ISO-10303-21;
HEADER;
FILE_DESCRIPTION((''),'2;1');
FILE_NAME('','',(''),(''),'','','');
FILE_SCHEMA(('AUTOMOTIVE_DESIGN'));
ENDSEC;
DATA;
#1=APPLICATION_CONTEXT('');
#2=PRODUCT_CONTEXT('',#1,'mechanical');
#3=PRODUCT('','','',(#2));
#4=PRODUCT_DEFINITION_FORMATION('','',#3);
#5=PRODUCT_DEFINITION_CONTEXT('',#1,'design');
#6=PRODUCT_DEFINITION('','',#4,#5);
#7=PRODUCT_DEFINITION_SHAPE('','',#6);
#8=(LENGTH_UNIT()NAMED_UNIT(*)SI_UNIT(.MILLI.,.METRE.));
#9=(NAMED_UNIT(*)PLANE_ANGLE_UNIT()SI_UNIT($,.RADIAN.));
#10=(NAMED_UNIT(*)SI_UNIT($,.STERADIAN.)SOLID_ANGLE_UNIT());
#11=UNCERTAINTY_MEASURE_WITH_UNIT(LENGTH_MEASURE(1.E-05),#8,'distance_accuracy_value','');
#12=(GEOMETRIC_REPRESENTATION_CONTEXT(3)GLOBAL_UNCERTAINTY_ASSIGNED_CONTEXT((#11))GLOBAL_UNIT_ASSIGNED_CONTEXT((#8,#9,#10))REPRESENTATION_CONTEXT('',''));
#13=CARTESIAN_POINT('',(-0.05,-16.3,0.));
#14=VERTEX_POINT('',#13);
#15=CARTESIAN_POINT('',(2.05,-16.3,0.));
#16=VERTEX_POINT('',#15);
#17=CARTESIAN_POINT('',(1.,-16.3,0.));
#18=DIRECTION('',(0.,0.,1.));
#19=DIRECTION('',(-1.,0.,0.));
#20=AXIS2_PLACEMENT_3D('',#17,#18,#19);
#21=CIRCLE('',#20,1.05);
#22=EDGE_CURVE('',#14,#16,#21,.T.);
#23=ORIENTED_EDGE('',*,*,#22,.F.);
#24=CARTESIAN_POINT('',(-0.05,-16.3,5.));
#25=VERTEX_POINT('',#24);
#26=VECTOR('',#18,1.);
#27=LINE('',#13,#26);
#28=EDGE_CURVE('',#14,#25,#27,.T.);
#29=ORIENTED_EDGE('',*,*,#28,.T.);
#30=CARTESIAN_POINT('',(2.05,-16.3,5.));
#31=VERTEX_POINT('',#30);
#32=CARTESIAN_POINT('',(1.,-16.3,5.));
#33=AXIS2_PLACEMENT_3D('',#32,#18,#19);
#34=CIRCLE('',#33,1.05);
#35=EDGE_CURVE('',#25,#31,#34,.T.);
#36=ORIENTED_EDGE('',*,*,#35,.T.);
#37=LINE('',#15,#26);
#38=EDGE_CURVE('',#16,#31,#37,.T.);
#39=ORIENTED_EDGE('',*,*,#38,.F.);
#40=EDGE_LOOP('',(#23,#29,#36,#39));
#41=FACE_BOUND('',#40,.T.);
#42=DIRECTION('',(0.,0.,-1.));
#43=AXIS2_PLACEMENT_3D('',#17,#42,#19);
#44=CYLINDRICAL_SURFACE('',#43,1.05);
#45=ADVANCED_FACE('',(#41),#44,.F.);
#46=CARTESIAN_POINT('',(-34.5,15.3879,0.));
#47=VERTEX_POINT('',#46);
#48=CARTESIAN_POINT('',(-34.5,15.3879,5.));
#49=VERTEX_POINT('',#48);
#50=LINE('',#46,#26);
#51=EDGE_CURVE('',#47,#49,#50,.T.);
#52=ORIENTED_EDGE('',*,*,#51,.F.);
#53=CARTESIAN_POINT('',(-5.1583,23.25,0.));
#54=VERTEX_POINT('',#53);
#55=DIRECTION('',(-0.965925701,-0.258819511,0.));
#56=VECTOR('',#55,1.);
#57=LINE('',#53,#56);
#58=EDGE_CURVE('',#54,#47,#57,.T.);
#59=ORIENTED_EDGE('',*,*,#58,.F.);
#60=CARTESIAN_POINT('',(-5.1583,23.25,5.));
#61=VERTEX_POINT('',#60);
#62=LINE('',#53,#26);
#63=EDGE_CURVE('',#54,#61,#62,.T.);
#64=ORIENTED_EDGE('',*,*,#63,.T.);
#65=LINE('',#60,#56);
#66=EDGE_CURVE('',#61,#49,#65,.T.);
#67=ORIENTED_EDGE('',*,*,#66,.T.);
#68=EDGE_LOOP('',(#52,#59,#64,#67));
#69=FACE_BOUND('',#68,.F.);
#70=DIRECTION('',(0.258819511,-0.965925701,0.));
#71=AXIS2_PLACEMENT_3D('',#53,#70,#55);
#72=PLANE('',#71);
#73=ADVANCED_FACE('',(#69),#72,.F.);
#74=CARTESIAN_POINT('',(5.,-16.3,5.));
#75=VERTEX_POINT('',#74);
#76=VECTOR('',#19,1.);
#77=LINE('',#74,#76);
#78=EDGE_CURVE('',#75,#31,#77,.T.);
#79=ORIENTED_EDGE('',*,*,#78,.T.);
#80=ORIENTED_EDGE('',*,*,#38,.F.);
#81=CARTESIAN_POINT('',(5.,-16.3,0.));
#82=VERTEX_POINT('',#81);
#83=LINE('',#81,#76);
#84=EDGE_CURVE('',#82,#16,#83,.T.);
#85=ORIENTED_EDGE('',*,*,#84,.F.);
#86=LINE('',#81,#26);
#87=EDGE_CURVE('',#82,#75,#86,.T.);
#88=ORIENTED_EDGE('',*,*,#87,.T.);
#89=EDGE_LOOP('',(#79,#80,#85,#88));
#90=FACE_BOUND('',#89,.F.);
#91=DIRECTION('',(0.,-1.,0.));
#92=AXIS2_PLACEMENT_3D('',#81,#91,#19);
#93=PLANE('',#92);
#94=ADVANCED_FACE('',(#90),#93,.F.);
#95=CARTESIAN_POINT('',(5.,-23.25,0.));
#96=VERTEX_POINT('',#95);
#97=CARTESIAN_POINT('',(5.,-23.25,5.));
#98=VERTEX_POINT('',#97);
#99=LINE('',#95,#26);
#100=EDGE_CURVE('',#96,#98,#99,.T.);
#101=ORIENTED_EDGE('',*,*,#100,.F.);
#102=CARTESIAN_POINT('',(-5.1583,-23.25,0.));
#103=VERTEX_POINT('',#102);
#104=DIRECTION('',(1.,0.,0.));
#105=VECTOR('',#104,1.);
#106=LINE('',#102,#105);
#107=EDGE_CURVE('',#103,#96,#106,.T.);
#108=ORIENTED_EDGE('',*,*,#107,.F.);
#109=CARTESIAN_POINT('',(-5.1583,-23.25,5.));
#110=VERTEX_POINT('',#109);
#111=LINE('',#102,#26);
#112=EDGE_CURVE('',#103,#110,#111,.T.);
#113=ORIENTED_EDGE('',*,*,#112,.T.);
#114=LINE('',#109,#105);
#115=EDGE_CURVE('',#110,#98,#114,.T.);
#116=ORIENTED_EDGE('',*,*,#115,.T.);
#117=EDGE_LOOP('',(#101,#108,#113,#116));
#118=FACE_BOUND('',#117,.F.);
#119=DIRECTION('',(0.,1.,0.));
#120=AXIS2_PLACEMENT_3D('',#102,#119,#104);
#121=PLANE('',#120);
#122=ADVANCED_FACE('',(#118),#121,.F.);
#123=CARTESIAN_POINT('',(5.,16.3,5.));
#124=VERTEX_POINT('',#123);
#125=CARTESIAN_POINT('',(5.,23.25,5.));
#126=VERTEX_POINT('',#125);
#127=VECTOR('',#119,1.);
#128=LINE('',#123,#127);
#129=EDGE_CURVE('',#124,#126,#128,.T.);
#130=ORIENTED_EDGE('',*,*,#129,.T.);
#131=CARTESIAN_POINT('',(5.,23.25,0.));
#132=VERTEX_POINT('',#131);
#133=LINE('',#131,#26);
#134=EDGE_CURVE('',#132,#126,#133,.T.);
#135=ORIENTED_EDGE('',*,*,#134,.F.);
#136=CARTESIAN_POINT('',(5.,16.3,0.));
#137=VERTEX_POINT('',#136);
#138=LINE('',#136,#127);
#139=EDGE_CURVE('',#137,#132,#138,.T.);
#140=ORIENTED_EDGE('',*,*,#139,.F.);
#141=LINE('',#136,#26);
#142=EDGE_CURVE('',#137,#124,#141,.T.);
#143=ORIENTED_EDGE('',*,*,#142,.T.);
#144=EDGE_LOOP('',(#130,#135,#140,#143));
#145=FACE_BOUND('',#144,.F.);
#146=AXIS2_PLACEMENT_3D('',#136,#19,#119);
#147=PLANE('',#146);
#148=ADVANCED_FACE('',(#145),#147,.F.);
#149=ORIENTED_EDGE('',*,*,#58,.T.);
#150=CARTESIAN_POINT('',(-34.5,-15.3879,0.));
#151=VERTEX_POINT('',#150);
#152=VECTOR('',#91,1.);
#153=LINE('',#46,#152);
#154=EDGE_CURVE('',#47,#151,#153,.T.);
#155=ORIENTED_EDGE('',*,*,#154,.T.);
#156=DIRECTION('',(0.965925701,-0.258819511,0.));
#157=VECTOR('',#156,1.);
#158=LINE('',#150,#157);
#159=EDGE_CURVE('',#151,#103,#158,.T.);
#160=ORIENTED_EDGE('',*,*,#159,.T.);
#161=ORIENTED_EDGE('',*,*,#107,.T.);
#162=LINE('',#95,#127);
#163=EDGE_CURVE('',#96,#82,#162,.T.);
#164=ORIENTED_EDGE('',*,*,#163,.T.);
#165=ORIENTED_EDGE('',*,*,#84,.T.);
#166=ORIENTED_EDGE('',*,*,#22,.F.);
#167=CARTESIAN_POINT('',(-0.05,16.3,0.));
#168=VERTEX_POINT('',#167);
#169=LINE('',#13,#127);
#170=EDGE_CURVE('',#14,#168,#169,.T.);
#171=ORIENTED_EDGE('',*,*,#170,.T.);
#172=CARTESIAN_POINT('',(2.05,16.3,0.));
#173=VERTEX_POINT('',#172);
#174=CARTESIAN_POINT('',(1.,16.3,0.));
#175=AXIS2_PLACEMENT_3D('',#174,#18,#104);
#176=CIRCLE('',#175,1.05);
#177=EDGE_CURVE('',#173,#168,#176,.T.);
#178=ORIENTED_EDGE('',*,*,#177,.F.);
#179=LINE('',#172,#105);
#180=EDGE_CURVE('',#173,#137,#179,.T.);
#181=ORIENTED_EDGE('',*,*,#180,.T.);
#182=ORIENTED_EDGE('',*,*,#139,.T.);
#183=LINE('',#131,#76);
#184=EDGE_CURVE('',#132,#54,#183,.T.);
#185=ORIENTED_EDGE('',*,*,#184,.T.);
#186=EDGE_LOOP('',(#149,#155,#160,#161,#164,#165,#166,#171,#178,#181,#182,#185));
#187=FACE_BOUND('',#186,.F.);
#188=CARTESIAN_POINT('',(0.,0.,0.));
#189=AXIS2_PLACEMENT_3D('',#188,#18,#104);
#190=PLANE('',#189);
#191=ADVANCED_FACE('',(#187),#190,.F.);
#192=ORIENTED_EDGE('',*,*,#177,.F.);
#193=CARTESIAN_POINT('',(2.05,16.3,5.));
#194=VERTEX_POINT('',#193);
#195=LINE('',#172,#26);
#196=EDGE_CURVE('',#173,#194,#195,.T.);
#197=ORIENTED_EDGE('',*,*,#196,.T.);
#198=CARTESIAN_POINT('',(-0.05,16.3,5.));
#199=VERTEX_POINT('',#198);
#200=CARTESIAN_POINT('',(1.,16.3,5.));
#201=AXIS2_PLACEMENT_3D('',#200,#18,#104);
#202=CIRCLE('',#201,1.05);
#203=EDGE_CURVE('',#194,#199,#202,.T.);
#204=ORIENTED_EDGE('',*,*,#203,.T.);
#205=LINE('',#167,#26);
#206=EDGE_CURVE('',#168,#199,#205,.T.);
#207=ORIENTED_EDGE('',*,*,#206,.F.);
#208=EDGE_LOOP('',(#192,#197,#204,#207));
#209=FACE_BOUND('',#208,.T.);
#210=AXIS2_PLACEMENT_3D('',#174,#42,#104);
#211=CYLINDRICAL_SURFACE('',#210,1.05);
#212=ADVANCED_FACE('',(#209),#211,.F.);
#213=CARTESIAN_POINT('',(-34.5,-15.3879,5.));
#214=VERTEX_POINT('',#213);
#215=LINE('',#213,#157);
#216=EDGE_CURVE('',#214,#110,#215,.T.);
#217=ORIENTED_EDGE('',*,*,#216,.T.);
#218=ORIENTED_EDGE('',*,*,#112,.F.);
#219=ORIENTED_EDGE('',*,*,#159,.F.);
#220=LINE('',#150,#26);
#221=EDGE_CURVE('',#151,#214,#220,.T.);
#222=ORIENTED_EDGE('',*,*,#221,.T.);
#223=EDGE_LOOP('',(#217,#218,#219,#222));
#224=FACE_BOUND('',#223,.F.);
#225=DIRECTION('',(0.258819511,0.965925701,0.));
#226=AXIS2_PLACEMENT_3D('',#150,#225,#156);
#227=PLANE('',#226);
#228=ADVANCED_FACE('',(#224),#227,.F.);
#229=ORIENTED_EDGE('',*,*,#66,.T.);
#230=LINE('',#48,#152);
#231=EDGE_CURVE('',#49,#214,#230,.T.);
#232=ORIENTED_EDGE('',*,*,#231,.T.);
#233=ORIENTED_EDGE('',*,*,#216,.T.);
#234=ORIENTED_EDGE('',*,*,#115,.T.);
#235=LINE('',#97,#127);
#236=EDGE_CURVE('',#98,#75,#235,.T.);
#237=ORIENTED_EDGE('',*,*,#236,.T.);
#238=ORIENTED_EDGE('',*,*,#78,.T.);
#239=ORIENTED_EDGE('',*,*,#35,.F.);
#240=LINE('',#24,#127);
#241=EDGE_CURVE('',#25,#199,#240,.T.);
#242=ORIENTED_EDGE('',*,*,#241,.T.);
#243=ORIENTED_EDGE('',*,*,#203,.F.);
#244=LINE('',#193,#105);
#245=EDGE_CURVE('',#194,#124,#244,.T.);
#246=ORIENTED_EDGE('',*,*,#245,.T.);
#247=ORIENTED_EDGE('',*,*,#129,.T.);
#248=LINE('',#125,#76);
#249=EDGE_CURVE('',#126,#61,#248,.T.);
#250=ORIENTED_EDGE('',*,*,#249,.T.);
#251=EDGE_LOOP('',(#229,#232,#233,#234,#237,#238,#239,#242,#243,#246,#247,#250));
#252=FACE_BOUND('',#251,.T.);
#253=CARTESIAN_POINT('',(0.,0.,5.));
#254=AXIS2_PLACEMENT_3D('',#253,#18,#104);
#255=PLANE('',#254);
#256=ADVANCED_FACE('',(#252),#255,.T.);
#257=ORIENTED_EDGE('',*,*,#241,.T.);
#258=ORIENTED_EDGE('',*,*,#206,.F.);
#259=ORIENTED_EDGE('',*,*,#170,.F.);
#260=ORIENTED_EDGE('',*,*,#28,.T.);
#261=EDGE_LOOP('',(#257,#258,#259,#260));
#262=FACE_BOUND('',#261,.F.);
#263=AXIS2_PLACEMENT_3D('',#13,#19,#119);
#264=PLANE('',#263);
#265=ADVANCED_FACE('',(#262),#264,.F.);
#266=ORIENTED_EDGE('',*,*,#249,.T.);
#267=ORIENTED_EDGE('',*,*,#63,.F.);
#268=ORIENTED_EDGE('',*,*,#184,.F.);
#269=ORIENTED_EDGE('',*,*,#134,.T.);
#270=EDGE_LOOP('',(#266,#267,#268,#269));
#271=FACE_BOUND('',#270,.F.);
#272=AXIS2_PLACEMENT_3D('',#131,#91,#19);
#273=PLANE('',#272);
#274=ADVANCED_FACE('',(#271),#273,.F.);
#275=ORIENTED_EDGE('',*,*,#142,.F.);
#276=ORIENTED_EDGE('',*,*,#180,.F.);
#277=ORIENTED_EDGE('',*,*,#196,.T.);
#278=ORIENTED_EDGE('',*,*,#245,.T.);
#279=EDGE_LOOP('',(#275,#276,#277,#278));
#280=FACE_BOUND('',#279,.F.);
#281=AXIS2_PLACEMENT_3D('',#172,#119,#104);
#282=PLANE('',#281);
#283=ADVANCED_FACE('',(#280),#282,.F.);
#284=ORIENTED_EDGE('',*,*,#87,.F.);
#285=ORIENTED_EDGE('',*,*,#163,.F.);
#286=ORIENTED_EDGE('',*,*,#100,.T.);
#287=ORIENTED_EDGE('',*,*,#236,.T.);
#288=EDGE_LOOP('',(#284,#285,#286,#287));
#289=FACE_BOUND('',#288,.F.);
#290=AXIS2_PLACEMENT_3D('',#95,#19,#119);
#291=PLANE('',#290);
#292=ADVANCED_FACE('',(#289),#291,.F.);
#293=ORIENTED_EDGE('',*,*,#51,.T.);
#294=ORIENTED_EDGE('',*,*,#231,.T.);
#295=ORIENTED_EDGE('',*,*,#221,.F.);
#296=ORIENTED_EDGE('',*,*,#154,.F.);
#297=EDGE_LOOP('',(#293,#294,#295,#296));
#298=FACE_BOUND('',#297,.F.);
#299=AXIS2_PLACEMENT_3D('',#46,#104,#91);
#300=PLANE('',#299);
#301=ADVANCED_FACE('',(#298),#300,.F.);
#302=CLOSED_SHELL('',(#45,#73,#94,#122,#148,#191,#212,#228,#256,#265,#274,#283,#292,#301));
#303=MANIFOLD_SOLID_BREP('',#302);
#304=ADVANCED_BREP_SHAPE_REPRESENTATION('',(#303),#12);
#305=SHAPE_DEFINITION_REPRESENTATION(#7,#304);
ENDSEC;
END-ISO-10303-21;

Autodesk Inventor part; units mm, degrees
ref_plane "YZ Plane" through (0, 0, 0) normal (1, 0, 0) x (0, 1, 0)
ref_plane "XZ Plane" through (0, 0, 0) normal (0, 1, 0) x (-1, 0, 0)
ref_plane "XY Plane" through (0, 0, 0) normal (0, 0, 1) x (1, 0, 0)
sketch "スケッチ1" plane through (0, 0, 0) normal (0, 0, 1) x (1, 0, 0)
  line L0 (0, 16.25) -> (28.4656, 16.25) construction
  line L1 (28.4656, 16.25) -> (28.4656, -16.25) construction
  line L2 (28.4656, -16.25) -> (0, -16.25) construction
  line L3 (0, -16.25) -> (0, 16.25) construction
  line L4 (5, 23.25) -> (-5.1583, 23.25)
  line L5 (-5.1583, 23.25) -> (-34.5, 15.3879)
  line L6 (-34.5, 15.3879) -> (-34.5, -15.3879)
  line L7 (-34.5, -15.3879) -> (-5.1583, -23.25)
  line L8 (-5.1583, -23.25) -> (5, -23.25)
  line L9 (5, -23.25) -> (5, -16.3)
  line L10 (5, -16.3) -> (2.05, -16.3)
  arc A0 (-0.05, -16.3) -> (2.05, -16.3) centre (1, -16.3) ccw
  line L11 (-0.05, -16.3) -> (-0.05, 16.3)
  arc A1 (2.05, 16.3) -> (-0.05, 16.3) centre (1, 16.3) ccw
  line L12 (28.4656, 0) -> (0, 0) construction
  line L13 (2.05, 16.3) -> (5, 16.3)
  line L14 (5, 16.3) -> (5, 23.25)
  line L15 (28.5156, 16.3) -> (-0.05, 16.3) construction
  line L16 (-0.05, 16.3) -> (-0.05, -16.3) construction
  line L17 (-0.05, -16.3) -> (28.5156, -16.3) construction
  line L18 (28.5156, -16.3) -> (28.5156, 16.3) construction
  circle A2 centre (-4.5, 18.25) radius 1.2
  circle A3 centre (-4.5, -18.25) radius 1.2
  line L19 (0, 0) -> (28.4656, 0) construction
  line L20 (2.5, 16.25) -> (2.5, -16.25) construction
  circle A4 centre (-4.5, 18.25) radius 5 construction
  line L21 (-6.0877, 15.5) -> (-7.6754, 18.25)
  line L22 (-7.6754, 18.25) -> (-6.0877, 21)
  line L23 (-6.0877, 21) -> (-2.9123, 21)
  line L24 (-2.9123, 21) -> (-1.3246, 18.25)
  line L25 (-1.3246, 18.25) -> (-2.9123, 15.5)
  line L26 (-2.9123, 15.5) -> (-6.0877, 15.5)
  point P0 (-34.5, 0)
  point P1 (-0.05, 0)
  dimension "d98" = 32.5
  dimension "d100" = 0.05
  dimension "d101" = 1.05
  dimension "d102" = 5
  dimension "d104" = 2.4
  dimension "d106" = 2.5
  dimension "d107" = 7
  dimension "d108" = 18.25
  dimension "d109" = 5
  dimension "d110" = 30
  dimension "d111" = 165
  dimension "d130" = 5.5
extrude "押し出し1" add sketch "スケッチ1" along normal blind 5 contours L14 L13 A1 L11 A0 L10 L9 L8 L7 L6 L5 L4 | L21 L22 L23 L24 L25 L26
sketch "スケッチ8" plane through (0, 0, 0) normal (0, 0, -1) x (-1, 0, 0)
  circle A0 centre (4.5, 18.25) radius 1.2 projected
  circle A1 centre (4.5, 18.25) radius 1.2
  circle A2 centre (4.5, -18.25) radius 1.2 projected
  circle A3 centre (4.5, -18.25) radius 1.2
  point P0 (0, 0)
extrude "押し出し6" add sketch "スケッチ8" against normal up to surface (5 mm away)
properties part number "胴体_サブフレーム_1_7" material "アセタール樹脂、黒"
